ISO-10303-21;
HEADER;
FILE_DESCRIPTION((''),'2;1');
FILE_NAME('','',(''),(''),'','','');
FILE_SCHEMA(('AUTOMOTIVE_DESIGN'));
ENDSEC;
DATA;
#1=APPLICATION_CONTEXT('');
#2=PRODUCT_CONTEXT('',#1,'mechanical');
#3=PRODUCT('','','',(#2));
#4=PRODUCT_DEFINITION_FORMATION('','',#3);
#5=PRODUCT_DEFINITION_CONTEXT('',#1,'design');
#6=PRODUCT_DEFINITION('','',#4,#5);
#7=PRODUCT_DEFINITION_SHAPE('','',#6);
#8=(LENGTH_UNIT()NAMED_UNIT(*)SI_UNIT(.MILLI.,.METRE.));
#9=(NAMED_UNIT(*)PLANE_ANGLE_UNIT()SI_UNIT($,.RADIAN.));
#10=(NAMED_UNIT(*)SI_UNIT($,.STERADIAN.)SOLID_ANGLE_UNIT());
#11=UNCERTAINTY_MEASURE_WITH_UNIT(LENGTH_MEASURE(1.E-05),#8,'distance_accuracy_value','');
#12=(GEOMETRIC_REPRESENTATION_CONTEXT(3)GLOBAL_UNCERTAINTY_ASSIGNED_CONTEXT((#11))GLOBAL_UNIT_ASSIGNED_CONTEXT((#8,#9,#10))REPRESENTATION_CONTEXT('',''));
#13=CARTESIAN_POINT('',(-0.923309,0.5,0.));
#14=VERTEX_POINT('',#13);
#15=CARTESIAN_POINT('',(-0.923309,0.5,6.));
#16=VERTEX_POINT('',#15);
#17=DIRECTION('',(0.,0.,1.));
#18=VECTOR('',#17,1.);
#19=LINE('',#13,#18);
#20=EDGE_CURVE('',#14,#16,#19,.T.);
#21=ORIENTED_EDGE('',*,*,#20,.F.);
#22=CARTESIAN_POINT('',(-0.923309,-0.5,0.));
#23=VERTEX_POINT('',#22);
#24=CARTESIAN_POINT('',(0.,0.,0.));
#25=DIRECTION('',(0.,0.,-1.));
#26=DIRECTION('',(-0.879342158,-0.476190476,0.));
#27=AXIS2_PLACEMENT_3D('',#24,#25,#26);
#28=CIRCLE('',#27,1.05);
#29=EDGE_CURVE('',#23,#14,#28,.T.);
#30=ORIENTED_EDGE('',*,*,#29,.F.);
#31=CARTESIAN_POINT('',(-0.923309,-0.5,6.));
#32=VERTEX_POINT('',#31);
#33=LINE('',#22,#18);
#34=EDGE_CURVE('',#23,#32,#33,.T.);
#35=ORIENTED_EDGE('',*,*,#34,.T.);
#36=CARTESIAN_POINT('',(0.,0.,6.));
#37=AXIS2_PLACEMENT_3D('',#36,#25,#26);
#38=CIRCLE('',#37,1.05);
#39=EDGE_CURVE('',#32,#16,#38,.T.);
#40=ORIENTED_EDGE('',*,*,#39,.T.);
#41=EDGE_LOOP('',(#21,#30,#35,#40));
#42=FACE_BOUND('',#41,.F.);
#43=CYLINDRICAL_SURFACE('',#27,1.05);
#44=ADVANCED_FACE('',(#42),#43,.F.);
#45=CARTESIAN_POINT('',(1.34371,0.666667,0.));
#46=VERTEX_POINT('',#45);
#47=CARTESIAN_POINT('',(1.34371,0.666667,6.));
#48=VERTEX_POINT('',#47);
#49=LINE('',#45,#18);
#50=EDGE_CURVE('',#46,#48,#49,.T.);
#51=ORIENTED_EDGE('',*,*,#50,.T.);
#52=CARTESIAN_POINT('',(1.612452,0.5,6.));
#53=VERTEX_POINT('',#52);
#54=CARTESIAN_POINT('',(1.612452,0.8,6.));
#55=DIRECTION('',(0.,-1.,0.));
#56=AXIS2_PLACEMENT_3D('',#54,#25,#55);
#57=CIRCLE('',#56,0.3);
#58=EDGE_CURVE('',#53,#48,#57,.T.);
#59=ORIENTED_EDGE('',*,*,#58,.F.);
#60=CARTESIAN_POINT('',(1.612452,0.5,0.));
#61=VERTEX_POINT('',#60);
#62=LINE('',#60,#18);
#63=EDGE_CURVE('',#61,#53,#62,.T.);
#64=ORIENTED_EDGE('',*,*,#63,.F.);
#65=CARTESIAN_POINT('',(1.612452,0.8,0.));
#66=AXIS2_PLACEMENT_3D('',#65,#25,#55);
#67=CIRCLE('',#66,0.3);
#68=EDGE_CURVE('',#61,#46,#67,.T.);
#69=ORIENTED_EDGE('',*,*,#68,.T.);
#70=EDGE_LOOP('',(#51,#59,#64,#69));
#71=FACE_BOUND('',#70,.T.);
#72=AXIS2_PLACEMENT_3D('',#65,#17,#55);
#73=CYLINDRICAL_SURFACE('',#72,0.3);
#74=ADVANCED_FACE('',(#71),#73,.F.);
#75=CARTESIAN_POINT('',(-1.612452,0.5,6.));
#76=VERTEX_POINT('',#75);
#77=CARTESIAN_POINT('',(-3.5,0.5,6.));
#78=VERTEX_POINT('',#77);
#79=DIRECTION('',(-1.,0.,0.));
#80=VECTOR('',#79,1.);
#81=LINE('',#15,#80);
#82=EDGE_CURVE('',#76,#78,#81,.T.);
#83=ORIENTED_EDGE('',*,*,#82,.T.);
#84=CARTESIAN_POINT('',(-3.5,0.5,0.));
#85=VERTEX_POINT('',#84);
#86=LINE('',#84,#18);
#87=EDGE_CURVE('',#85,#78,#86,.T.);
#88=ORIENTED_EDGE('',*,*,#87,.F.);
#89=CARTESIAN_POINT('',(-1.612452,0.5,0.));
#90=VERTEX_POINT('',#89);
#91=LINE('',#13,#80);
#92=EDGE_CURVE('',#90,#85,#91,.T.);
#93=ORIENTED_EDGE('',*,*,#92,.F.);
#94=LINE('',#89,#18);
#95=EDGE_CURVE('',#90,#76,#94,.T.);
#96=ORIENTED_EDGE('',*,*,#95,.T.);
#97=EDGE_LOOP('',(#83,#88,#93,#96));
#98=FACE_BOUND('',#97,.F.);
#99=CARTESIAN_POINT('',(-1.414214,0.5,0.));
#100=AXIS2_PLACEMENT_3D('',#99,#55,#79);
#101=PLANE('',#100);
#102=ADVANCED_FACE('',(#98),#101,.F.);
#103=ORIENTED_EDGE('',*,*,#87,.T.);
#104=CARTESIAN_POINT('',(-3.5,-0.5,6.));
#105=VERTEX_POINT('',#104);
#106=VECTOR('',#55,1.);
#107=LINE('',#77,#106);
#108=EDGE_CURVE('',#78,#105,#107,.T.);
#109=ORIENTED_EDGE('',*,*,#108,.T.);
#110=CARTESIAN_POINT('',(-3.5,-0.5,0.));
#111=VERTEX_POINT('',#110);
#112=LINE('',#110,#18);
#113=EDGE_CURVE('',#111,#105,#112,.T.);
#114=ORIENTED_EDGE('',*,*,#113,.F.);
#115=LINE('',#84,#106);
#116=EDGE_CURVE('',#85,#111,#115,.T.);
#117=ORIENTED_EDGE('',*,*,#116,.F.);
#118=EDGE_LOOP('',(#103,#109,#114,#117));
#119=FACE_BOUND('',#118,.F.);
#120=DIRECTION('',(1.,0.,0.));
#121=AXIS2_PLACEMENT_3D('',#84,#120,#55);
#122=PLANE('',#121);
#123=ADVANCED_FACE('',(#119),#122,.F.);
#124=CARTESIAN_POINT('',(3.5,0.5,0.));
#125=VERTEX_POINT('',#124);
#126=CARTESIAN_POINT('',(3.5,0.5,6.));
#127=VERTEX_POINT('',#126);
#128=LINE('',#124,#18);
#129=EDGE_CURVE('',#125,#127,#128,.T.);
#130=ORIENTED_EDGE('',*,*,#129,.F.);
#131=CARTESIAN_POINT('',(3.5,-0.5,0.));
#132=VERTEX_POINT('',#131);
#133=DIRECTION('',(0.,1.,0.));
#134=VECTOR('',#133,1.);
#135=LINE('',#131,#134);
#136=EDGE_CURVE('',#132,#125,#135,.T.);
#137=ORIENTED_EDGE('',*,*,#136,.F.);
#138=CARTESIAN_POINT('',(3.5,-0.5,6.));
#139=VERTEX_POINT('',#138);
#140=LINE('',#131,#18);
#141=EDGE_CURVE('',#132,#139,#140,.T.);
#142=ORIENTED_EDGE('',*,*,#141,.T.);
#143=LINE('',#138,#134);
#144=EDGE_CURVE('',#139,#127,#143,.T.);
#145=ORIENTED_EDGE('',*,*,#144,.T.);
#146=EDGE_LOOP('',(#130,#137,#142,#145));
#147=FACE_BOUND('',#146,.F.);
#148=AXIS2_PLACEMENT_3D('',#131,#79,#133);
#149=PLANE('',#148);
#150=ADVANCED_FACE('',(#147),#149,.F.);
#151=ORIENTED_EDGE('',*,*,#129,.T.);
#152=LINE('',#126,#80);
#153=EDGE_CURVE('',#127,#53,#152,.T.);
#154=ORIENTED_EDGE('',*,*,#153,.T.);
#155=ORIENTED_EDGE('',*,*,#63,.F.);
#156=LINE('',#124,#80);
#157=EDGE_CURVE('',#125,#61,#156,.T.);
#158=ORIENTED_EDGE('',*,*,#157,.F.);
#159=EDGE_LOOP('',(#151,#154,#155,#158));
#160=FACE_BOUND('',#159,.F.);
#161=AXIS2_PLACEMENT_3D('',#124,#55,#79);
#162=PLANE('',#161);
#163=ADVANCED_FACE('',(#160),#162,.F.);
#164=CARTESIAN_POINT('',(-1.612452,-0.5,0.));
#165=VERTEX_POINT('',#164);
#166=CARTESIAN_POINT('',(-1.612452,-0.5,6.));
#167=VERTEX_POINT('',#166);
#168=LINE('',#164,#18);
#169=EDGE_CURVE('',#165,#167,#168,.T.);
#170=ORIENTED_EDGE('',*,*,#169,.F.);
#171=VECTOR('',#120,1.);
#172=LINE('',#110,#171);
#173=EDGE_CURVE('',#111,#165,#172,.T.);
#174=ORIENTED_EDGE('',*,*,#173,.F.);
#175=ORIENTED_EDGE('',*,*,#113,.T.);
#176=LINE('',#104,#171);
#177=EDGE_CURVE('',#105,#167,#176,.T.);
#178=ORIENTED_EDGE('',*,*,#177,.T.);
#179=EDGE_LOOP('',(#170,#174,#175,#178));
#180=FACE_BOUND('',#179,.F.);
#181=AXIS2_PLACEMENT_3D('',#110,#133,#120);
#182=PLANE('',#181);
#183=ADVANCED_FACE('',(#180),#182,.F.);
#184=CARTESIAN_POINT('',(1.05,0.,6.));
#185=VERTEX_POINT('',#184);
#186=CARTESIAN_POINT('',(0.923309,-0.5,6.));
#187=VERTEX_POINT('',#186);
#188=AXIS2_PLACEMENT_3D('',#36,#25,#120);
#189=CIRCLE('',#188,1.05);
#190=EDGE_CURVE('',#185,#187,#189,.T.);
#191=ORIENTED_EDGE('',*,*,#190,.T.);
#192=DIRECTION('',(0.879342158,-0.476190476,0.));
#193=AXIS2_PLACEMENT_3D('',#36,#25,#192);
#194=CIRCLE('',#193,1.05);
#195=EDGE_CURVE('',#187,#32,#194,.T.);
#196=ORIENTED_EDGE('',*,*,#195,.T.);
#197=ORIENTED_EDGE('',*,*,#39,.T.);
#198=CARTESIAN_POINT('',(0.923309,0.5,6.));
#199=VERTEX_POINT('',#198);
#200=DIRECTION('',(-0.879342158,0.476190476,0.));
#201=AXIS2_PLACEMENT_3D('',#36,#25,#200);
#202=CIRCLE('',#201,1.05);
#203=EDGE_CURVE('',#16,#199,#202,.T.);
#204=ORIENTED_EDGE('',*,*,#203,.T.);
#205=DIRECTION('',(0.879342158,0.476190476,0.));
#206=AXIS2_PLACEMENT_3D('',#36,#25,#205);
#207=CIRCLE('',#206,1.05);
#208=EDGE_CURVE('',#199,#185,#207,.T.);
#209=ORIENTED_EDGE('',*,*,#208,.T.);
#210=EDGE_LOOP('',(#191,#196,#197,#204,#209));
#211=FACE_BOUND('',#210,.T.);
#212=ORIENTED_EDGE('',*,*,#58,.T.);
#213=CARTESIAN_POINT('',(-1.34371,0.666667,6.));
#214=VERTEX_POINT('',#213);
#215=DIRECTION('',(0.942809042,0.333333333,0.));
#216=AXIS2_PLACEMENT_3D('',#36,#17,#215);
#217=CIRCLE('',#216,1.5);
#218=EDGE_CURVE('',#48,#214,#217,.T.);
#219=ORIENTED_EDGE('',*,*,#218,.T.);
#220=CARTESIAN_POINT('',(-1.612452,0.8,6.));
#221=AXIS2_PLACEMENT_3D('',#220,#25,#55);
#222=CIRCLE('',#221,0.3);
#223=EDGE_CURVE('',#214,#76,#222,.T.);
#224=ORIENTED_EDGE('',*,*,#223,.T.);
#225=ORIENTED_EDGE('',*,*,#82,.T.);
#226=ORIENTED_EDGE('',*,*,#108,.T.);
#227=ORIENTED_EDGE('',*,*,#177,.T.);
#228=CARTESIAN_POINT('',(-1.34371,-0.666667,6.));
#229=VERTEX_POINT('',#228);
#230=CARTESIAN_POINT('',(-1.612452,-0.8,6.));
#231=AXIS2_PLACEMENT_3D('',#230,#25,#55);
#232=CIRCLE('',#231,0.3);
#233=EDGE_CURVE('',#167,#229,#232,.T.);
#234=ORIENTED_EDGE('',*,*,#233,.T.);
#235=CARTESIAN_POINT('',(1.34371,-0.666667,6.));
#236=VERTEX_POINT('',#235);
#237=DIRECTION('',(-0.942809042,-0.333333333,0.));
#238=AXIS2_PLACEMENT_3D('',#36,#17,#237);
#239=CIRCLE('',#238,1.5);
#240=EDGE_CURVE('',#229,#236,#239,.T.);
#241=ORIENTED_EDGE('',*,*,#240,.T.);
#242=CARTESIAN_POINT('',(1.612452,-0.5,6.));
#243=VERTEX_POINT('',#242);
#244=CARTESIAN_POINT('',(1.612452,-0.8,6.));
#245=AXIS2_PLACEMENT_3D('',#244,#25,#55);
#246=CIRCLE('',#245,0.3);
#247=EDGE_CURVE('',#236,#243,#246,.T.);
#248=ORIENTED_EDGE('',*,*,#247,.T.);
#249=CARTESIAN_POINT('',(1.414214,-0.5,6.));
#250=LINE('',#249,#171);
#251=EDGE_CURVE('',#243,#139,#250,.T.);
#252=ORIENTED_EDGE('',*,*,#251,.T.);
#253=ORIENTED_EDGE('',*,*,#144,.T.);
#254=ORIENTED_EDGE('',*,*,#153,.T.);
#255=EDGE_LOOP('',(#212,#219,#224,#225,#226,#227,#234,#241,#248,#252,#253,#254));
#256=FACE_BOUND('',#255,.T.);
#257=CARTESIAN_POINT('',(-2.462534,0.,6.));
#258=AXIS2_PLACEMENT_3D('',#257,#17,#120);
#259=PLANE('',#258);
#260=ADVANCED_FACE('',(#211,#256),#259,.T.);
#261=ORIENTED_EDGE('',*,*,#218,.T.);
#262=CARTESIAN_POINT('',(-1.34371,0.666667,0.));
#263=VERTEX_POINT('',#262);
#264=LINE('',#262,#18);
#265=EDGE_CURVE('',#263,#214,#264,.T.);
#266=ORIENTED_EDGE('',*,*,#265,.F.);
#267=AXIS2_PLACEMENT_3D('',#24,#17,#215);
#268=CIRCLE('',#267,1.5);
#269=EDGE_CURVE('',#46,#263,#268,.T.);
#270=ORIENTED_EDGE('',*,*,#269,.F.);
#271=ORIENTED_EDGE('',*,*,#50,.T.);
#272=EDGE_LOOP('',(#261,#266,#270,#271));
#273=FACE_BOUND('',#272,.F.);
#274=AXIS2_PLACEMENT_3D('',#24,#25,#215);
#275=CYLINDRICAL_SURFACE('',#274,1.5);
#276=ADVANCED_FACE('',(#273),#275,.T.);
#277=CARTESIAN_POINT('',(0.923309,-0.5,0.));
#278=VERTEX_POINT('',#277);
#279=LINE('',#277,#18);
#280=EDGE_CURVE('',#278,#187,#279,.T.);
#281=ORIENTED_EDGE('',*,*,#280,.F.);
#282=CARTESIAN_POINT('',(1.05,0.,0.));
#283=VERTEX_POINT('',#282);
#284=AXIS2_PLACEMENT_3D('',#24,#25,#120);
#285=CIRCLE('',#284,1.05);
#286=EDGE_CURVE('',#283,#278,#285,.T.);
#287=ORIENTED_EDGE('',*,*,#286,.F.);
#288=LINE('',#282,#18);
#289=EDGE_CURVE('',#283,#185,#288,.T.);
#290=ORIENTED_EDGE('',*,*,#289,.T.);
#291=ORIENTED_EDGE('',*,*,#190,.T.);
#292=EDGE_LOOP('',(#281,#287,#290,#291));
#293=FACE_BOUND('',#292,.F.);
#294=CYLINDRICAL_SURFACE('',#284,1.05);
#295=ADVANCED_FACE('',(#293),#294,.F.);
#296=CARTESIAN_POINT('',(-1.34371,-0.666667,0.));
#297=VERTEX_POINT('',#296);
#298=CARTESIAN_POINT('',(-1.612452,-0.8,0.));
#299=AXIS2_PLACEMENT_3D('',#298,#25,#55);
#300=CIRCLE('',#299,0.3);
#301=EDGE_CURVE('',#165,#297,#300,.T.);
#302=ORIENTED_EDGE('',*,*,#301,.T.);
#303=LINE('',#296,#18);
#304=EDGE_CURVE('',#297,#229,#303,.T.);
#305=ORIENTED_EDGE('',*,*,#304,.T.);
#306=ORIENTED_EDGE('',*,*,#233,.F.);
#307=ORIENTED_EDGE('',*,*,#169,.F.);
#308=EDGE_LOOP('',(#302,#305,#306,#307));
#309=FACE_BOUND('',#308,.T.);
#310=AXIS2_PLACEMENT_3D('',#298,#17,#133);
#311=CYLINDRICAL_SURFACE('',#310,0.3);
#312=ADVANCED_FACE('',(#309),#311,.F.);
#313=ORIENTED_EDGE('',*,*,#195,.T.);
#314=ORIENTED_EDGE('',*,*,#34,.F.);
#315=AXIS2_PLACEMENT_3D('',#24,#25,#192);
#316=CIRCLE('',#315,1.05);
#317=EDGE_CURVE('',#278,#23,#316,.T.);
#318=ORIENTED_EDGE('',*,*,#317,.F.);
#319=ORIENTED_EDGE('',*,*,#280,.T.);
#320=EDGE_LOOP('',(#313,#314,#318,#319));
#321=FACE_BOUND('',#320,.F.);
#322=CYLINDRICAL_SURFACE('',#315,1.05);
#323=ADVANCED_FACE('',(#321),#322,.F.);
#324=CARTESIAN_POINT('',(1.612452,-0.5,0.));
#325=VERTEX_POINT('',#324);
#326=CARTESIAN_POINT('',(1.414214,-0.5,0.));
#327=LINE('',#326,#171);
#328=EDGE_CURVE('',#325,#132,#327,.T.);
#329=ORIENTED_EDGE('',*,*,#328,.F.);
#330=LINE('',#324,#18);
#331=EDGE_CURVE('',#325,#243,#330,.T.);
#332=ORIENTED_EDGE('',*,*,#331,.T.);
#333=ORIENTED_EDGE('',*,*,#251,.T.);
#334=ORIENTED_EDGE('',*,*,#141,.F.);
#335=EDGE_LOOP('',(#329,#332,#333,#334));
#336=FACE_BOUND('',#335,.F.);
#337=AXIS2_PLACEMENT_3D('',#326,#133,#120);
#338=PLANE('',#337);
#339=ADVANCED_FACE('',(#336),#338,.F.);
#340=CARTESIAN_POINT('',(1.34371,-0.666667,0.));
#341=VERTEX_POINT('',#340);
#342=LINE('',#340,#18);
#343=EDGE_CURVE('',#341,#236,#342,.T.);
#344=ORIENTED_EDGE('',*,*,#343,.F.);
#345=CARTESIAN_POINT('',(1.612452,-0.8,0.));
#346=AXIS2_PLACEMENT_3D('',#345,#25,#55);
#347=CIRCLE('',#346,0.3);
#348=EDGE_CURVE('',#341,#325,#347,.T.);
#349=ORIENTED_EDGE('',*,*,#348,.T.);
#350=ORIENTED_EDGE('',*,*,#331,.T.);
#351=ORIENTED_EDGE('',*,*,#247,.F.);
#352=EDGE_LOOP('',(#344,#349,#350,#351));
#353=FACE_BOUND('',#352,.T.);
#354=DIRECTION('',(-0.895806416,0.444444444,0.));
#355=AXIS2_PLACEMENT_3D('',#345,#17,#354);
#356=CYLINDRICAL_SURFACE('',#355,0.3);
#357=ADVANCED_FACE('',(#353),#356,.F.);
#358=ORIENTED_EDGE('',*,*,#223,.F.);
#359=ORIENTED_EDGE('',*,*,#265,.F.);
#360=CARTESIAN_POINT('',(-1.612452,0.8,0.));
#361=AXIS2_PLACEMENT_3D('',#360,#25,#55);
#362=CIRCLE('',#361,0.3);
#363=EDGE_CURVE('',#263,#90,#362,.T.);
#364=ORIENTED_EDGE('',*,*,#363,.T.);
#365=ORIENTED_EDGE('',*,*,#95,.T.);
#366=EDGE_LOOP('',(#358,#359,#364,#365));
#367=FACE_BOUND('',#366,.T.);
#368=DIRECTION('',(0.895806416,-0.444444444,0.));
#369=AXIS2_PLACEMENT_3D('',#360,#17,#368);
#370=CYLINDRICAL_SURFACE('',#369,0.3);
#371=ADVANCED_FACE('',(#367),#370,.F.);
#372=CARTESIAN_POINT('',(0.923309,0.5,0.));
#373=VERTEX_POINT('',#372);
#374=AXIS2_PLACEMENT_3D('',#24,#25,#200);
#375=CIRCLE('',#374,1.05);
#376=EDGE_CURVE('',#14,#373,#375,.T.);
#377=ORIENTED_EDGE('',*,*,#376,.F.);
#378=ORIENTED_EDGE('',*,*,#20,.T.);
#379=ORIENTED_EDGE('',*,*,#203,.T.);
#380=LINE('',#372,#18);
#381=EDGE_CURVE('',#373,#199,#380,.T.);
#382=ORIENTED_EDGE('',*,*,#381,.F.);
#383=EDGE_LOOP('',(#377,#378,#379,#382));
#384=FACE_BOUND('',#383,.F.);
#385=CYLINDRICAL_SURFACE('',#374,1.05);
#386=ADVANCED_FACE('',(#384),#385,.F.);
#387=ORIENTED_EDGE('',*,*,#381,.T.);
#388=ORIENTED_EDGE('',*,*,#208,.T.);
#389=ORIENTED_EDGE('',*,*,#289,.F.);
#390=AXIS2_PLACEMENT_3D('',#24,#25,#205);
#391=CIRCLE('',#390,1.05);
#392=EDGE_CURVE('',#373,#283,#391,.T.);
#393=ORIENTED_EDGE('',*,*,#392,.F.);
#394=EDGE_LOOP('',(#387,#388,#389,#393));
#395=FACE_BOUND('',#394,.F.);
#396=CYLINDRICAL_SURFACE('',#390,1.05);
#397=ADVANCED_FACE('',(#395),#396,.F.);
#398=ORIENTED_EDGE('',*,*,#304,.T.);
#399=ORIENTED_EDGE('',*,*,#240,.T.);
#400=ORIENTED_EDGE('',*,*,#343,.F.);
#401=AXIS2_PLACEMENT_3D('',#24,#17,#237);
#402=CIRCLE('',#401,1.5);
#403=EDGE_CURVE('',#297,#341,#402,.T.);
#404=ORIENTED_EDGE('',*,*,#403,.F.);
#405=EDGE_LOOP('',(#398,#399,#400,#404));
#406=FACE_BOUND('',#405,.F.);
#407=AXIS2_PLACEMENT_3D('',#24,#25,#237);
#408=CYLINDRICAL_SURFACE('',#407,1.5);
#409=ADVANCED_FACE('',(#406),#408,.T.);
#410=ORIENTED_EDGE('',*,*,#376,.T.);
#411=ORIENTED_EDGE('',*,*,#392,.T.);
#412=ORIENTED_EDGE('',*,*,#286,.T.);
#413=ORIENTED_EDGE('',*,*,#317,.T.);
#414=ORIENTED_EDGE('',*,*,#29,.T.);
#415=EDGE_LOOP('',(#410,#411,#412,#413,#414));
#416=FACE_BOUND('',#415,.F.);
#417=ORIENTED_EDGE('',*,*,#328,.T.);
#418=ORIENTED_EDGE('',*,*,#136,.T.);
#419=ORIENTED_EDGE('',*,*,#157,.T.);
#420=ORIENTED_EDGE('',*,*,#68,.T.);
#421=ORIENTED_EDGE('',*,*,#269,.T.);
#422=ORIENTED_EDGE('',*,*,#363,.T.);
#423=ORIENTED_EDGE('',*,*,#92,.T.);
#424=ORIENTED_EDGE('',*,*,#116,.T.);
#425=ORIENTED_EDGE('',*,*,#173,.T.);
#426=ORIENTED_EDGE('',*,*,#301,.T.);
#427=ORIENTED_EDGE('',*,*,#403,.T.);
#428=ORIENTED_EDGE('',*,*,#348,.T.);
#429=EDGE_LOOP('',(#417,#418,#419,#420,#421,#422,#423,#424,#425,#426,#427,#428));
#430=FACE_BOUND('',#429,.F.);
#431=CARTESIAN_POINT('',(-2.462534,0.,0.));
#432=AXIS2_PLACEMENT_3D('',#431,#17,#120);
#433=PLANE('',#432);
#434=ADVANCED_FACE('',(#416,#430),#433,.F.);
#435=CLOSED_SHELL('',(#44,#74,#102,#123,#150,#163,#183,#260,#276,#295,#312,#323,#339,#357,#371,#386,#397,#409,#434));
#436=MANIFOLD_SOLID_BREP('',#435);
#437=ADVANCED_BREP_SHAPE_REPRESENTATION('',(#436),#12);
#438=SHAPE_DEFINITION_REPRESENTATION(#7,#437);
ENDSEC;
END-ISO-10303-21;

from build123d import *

# Parameters (mm, degrees)
F1_DEPTH = 6
F2_R     = 0.3


with BuildPart() as f1:
    # F0 (on Top) → F1 (new body)
    with BuildSketch(Plane.XY):
        with BuildLine():
            Line((-3.5, 0.5), (-3.5, -0.5))
            Line((-3.5, -0.5), (-1.4142135624, -0.5))
            ThreePointArc((-1.4142135624, -0.5), (-1.5, 0), (-1.4142135624, 0.5))
            Line((-1.4142135624, 0.5), (-3.5, 0.5))
        make_face()
        with BuildLine():
            ThreePointArc((-1.4142135624, 0.5), (-1.5, 0), (-1.4142135624, -0.5))
            Line((-1.4142135624, -0.5), (-0.9233092656, -0.5))
            ThreePointArc((-0.9233092656, -0.5), (-1.05, 0), (-0.9233092656, 0.5))
            Line((-0.9233092656, 0.5), (-1.4142135624, 0.5))
        make_face()
        with BuildLine():
            Line((-0.9233092656, -0.5), (-1.4142135624, -0.5))
            ThreePointArc((-1.4142135624, -0.5), (0, -1.5), (1.4142135624, -0.5))
            Line((1.4142135624, -0.5), (0.9233092656, -0.5))
            ThreePointArc((0.9233092656, -0.5), (0, -1.05), (-0.9233092656, -0.5))
        make_face()
        with BuildLine():
            ThreePointArc((1.4142135624, 0.5), (0, 1.5), (-1.4142135624, 0.5))
            Line((-1.4142135624, 0.5), (-0.9233092656, 0.5))
            ThreePointArc((-0.9233092656, 0.5), (0, 1.05), (0.9233092656, 0.5))
            Line((0.9233092656, 0.5), (1.4142135624, 0.5))
        make_face()
        with BuildLine():
            ThreePointArc((1.5, 0), (1.4783978395, -0.2536529681), (1.4142135624, -0.5))
            Line((1.4142135624, -0.5), (3.5, -0.5))
            Line((3.5, -0.5), (3.5, 0.5))
            Line((3.5, 0.5), (1.4142135624, 0.5))
            ThreePointArc((1.4142135624, 0.5), (1.4783978395, 0.2536529681), (1.5, 0))
        make_face()
        with BuildLine():
            Line((0.9233092656, -0.5), (1.4142135624, -0.5))
            ThreePointArc((1.4142135624, -0.5), (1.4783978395, -0.2536529681), (1.5, 0))
            ThreePointArc((1.5, 0), (1.4783978395, 0.2536529681), (1.4142135624, 0.5))
            Line((1.4142135624, 0.5), (0.9233092656, 0.5))
            ThreePointArc((0.9233092656, 0.5), (1.0178346449, 0.2579004373), (1.05, 0))
            ThreePointArc((1.05, 0), (1.0178346449, -0.2579004373), (0.9233092656, -0.5))
        make_face()
    extrude(amount=F1_DEPTH)

    # F2
    f2_edges = [f1.edges().sort_by_distance(p)[0] for p in [
        (1.414214, -0.5, 3),
        (-1.414214, -0.5, 3),
        (1.414214, 0.5, 3),
        (-1.414214, 0.5, 3),
    ]]
    fillet(f2_edges, radius=F2_R)


solid = f1.part
